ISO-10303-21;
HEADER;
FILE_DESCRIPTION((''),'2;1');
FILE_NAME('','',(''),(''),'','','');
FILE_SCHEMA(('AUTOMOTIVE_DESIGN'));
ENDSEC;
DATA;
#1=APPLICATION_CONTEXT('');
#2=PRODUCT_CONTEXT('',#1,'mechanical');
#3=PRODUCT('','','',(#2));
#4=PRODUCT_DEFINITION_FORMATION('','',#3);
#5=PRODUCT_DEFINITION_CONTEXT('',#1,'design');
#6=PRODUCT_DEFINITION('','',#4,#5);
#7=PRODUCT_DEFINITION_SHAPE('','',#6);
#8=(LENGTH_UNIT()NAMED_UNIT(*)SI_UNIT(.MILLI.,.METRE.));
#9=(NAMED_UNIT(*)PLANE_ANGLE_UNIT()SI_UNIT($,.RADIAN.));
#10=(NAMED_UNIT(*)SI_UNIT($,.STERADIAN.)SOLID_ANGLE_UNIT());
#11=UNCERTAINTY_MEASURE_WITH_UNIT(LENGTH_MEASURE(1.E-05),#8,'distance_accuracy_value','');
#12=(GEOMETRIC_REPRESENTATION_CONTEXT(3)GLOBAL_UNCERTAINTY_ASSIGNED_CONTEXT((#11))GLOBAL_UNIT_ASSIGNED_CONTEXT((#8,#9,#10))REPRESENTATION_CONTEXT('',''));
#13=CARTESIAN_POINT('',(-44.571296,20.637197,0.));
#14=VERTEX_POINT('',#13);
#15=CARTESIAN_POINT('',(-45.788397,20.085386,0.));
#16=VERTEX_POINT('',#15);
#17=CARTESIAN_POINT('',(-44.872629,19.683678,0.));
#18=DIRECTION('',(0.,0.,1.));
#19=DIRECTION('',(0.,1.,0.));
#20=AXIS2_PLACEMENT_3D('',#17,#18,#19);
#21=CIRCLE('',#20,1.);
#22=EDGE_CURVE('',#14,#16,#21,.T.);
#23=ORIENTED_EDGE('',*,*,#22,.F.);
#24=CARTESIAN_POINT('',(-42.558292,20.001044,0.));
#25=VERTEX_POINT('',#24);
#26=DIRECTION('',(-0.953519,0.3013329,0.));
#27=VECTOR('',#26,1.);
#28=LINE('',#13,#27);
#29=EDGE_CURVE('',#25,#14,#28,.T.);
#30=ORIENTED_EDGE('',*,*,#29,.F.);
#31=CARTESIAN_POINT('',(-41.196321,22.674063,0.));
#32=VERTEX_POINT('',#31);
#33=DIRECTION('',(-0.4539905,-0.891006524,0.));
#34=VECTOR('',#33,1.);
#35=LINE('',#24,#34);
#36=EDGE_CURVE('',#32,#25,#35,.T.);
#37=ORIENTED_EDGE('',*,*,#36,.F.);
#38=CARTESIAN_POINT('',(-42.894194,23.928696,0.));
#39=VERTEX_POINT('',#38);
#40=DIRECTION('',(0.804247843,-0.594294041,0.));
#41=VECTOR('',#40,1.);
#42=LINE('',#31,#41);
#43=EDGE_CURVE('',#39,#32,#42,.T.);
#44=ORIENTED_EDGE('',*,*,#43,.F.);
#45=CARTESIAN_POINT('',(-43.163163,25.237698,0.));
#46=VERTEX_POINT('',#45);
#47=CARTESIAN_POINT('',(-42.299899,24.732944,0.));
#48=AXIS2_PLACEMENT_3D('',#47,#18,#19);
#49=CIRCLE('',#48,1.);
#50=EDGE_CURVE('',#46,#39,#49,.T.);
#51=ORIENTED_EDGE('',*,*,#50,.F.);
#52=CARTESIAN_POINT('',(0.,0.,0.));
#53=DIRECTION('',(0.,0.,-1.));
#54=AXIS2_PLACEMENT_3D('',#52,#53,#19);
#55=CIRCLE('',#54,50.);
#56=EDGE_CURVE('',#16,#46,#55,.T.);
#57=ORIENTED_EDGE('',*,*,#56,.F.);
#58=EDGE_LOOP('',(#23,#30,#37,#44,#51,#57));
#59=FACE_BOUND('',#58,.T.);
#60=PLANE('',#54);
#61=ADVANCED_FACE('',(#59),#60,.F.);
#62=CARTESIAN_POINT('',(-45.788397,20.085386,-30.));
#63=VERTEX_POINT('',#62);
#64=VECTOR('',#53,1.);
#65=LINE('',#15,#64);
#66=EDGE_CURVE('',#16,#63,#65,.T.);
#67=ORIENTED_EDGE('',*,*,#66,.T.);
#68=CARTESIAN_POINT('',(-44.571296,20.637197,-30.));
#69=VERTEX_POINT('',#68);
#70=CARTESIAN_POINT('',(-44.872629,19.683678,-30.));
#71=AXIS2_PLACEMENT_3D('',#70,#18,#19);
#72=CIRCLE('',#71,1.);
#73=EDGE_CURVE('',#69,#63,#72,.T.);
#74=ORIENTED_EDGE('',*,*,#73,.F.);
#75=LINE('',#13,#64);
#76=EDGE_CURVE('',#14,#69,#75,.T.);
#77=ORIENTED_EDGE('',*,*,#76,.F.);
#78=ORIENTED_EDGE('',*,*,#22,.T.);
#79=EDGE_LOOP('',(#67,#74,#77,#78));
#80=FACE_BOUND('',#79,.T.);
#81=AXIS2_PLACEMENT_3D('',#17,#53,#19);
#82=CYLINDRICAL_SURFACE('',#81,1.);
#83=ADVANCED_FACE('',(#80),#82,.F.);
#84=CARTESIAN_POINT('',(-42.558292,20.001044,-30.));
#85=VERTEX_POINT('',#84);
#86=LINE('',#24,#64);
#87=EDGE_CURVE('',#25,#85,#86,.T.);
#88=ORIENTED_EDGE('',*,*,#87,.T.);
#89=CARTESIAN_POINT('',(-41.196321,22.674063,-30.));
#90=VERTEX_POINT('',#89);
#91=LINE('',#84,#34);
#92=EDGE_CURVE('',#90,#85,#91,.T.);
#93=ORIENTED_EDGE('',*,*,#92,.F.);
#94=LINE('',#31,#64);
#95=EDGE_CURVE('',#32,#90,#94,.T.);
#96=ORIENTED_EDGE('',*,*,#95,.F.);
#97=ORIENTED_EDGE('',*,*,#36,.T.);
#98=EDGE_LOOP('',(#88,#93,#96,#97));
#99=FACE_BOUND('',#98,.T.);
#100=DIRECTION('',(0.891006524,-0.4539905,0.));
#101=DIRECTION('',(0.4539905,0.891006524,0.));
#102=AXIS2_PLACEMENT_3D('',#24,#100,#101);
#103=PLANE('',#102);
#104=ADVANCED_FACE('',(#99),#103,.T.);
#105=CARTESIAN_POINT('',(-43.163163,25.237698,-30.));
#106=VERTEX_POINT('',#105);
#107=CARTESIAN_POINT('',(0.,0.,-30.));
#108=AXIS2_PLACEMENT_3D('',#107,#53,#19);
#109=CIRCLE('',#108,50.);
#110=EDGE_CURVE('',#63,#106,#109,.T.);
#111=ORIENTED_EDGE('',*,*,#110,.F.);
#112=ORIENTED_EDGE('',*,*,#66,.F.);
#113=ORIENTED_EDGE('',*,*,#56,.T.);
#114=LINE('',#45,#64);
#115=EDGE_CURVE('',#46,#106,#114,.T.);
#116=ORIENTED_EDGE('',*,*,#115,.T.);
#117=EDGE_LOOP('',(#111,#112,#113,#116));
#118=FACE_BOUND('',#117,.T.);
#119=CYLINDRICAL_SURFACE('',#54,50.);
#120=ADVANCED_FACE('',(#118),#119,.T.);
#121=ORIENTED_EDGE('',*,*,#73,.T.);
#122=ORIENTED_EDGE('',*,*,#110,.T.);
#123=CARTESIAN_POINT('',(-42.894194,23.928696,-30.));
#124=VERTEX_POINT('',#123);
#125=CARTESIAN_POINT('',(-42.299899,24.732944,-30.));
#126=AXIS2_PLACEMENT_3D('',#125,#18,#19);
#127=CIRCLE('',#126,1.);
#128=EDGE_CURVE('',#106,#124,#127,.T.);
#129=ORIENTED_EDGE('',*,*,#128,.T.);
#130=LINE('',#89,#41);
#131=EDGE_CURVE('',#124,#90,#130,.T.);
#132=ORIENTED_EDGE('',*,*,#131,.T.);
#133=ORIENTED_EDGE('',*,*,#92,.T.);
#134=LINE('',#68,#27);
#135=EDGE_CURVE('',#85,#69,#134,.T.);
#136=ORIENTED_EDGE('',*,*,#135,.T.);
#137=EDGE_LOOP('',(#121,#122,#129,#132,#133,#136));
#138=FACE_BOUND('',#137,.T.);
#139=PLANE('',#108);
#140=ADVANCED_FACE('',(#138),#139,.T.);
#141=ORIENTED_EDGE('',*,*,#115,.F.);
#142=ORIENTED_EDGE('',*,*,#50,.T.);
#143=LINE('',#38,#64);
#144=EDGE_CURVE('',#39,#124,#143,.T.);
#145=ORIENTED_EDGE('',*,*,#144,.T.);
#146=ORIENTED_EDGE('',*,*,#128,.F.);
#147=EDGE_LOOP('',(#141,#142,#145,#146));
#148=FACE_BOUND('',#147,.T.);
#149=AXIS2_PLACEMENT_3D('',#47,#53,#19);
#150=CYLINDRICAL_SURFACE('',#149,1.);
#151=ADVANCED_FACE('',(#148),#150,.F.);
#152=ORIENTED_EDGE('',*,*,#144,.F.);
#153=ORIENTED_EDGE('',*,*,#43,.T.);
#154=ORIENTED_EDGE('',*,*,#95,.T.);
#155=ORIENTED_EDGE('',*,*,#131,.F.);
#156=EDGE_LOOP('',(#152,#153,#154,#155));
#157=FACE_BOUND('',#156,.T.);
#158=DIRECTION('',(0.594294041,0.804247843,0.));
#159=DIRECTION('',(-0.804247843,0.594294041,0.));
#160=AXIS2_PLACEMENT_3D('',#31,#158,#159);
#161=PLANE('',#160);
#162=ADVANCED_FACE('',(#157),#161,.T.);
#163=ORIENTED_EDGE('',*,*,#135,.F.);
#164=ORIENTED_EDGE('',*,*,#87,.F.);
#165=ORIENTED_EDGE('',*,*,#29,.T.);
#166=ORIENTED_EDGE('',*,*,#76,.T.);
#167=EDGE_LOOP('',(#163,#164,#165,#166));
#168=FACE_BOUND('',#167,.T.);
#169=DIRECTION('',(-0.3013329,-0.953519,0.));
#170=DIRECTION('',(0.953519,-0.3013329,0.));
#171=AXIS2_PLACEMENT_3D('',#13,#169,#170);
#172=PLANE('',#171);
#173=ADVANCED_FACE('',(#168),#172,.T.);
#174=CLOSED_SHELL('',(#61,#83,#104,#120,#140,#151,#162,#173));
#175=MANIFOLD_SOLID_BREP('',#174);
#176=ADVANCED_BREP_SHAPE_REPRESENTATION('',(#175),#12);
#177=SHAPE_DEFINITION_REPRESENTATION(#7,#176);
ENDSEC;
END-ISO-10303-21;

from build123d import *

# Parameters (mm, degrees)
BOSS_EXTRUDE1_DEPTH = 30


with BuildPart() as part:
    # Sketch2 → Boss-Extrude1 (new body)
    with BuildSketch(Plane(origin=(0, 0, -30), x_dir=(-1, 0, 0), z_dir=(0, 0, -1))):
        with BuildLine():
            Line((44.571295977, 20.637196951), (42.558292386, 20.001043701))
            Line((42.558292386, 20.001043701), (41.196320887, 22.674063274))
            Line((41.196320887, 22.674063274), (42.8941935, 23.92869589))
            ThreePointArc((42.8941935, 23.92869589), (43.279434932, 24.531672134), (43.163162714, 25.237697687))
            ThreePointArc((43.163162714, 25.237697687), (44.550326209, 22.699524987), (45.788396813, 20.085385664))
            ThreePointArc((45.788396813, 20.085385664), (45.285553237, 20.594443273), (44.571295977, 20.637196951))
        make_face()
    extrude(amount=-BOSS_EXTRUDE1_DEPTH)


solid = part.part
